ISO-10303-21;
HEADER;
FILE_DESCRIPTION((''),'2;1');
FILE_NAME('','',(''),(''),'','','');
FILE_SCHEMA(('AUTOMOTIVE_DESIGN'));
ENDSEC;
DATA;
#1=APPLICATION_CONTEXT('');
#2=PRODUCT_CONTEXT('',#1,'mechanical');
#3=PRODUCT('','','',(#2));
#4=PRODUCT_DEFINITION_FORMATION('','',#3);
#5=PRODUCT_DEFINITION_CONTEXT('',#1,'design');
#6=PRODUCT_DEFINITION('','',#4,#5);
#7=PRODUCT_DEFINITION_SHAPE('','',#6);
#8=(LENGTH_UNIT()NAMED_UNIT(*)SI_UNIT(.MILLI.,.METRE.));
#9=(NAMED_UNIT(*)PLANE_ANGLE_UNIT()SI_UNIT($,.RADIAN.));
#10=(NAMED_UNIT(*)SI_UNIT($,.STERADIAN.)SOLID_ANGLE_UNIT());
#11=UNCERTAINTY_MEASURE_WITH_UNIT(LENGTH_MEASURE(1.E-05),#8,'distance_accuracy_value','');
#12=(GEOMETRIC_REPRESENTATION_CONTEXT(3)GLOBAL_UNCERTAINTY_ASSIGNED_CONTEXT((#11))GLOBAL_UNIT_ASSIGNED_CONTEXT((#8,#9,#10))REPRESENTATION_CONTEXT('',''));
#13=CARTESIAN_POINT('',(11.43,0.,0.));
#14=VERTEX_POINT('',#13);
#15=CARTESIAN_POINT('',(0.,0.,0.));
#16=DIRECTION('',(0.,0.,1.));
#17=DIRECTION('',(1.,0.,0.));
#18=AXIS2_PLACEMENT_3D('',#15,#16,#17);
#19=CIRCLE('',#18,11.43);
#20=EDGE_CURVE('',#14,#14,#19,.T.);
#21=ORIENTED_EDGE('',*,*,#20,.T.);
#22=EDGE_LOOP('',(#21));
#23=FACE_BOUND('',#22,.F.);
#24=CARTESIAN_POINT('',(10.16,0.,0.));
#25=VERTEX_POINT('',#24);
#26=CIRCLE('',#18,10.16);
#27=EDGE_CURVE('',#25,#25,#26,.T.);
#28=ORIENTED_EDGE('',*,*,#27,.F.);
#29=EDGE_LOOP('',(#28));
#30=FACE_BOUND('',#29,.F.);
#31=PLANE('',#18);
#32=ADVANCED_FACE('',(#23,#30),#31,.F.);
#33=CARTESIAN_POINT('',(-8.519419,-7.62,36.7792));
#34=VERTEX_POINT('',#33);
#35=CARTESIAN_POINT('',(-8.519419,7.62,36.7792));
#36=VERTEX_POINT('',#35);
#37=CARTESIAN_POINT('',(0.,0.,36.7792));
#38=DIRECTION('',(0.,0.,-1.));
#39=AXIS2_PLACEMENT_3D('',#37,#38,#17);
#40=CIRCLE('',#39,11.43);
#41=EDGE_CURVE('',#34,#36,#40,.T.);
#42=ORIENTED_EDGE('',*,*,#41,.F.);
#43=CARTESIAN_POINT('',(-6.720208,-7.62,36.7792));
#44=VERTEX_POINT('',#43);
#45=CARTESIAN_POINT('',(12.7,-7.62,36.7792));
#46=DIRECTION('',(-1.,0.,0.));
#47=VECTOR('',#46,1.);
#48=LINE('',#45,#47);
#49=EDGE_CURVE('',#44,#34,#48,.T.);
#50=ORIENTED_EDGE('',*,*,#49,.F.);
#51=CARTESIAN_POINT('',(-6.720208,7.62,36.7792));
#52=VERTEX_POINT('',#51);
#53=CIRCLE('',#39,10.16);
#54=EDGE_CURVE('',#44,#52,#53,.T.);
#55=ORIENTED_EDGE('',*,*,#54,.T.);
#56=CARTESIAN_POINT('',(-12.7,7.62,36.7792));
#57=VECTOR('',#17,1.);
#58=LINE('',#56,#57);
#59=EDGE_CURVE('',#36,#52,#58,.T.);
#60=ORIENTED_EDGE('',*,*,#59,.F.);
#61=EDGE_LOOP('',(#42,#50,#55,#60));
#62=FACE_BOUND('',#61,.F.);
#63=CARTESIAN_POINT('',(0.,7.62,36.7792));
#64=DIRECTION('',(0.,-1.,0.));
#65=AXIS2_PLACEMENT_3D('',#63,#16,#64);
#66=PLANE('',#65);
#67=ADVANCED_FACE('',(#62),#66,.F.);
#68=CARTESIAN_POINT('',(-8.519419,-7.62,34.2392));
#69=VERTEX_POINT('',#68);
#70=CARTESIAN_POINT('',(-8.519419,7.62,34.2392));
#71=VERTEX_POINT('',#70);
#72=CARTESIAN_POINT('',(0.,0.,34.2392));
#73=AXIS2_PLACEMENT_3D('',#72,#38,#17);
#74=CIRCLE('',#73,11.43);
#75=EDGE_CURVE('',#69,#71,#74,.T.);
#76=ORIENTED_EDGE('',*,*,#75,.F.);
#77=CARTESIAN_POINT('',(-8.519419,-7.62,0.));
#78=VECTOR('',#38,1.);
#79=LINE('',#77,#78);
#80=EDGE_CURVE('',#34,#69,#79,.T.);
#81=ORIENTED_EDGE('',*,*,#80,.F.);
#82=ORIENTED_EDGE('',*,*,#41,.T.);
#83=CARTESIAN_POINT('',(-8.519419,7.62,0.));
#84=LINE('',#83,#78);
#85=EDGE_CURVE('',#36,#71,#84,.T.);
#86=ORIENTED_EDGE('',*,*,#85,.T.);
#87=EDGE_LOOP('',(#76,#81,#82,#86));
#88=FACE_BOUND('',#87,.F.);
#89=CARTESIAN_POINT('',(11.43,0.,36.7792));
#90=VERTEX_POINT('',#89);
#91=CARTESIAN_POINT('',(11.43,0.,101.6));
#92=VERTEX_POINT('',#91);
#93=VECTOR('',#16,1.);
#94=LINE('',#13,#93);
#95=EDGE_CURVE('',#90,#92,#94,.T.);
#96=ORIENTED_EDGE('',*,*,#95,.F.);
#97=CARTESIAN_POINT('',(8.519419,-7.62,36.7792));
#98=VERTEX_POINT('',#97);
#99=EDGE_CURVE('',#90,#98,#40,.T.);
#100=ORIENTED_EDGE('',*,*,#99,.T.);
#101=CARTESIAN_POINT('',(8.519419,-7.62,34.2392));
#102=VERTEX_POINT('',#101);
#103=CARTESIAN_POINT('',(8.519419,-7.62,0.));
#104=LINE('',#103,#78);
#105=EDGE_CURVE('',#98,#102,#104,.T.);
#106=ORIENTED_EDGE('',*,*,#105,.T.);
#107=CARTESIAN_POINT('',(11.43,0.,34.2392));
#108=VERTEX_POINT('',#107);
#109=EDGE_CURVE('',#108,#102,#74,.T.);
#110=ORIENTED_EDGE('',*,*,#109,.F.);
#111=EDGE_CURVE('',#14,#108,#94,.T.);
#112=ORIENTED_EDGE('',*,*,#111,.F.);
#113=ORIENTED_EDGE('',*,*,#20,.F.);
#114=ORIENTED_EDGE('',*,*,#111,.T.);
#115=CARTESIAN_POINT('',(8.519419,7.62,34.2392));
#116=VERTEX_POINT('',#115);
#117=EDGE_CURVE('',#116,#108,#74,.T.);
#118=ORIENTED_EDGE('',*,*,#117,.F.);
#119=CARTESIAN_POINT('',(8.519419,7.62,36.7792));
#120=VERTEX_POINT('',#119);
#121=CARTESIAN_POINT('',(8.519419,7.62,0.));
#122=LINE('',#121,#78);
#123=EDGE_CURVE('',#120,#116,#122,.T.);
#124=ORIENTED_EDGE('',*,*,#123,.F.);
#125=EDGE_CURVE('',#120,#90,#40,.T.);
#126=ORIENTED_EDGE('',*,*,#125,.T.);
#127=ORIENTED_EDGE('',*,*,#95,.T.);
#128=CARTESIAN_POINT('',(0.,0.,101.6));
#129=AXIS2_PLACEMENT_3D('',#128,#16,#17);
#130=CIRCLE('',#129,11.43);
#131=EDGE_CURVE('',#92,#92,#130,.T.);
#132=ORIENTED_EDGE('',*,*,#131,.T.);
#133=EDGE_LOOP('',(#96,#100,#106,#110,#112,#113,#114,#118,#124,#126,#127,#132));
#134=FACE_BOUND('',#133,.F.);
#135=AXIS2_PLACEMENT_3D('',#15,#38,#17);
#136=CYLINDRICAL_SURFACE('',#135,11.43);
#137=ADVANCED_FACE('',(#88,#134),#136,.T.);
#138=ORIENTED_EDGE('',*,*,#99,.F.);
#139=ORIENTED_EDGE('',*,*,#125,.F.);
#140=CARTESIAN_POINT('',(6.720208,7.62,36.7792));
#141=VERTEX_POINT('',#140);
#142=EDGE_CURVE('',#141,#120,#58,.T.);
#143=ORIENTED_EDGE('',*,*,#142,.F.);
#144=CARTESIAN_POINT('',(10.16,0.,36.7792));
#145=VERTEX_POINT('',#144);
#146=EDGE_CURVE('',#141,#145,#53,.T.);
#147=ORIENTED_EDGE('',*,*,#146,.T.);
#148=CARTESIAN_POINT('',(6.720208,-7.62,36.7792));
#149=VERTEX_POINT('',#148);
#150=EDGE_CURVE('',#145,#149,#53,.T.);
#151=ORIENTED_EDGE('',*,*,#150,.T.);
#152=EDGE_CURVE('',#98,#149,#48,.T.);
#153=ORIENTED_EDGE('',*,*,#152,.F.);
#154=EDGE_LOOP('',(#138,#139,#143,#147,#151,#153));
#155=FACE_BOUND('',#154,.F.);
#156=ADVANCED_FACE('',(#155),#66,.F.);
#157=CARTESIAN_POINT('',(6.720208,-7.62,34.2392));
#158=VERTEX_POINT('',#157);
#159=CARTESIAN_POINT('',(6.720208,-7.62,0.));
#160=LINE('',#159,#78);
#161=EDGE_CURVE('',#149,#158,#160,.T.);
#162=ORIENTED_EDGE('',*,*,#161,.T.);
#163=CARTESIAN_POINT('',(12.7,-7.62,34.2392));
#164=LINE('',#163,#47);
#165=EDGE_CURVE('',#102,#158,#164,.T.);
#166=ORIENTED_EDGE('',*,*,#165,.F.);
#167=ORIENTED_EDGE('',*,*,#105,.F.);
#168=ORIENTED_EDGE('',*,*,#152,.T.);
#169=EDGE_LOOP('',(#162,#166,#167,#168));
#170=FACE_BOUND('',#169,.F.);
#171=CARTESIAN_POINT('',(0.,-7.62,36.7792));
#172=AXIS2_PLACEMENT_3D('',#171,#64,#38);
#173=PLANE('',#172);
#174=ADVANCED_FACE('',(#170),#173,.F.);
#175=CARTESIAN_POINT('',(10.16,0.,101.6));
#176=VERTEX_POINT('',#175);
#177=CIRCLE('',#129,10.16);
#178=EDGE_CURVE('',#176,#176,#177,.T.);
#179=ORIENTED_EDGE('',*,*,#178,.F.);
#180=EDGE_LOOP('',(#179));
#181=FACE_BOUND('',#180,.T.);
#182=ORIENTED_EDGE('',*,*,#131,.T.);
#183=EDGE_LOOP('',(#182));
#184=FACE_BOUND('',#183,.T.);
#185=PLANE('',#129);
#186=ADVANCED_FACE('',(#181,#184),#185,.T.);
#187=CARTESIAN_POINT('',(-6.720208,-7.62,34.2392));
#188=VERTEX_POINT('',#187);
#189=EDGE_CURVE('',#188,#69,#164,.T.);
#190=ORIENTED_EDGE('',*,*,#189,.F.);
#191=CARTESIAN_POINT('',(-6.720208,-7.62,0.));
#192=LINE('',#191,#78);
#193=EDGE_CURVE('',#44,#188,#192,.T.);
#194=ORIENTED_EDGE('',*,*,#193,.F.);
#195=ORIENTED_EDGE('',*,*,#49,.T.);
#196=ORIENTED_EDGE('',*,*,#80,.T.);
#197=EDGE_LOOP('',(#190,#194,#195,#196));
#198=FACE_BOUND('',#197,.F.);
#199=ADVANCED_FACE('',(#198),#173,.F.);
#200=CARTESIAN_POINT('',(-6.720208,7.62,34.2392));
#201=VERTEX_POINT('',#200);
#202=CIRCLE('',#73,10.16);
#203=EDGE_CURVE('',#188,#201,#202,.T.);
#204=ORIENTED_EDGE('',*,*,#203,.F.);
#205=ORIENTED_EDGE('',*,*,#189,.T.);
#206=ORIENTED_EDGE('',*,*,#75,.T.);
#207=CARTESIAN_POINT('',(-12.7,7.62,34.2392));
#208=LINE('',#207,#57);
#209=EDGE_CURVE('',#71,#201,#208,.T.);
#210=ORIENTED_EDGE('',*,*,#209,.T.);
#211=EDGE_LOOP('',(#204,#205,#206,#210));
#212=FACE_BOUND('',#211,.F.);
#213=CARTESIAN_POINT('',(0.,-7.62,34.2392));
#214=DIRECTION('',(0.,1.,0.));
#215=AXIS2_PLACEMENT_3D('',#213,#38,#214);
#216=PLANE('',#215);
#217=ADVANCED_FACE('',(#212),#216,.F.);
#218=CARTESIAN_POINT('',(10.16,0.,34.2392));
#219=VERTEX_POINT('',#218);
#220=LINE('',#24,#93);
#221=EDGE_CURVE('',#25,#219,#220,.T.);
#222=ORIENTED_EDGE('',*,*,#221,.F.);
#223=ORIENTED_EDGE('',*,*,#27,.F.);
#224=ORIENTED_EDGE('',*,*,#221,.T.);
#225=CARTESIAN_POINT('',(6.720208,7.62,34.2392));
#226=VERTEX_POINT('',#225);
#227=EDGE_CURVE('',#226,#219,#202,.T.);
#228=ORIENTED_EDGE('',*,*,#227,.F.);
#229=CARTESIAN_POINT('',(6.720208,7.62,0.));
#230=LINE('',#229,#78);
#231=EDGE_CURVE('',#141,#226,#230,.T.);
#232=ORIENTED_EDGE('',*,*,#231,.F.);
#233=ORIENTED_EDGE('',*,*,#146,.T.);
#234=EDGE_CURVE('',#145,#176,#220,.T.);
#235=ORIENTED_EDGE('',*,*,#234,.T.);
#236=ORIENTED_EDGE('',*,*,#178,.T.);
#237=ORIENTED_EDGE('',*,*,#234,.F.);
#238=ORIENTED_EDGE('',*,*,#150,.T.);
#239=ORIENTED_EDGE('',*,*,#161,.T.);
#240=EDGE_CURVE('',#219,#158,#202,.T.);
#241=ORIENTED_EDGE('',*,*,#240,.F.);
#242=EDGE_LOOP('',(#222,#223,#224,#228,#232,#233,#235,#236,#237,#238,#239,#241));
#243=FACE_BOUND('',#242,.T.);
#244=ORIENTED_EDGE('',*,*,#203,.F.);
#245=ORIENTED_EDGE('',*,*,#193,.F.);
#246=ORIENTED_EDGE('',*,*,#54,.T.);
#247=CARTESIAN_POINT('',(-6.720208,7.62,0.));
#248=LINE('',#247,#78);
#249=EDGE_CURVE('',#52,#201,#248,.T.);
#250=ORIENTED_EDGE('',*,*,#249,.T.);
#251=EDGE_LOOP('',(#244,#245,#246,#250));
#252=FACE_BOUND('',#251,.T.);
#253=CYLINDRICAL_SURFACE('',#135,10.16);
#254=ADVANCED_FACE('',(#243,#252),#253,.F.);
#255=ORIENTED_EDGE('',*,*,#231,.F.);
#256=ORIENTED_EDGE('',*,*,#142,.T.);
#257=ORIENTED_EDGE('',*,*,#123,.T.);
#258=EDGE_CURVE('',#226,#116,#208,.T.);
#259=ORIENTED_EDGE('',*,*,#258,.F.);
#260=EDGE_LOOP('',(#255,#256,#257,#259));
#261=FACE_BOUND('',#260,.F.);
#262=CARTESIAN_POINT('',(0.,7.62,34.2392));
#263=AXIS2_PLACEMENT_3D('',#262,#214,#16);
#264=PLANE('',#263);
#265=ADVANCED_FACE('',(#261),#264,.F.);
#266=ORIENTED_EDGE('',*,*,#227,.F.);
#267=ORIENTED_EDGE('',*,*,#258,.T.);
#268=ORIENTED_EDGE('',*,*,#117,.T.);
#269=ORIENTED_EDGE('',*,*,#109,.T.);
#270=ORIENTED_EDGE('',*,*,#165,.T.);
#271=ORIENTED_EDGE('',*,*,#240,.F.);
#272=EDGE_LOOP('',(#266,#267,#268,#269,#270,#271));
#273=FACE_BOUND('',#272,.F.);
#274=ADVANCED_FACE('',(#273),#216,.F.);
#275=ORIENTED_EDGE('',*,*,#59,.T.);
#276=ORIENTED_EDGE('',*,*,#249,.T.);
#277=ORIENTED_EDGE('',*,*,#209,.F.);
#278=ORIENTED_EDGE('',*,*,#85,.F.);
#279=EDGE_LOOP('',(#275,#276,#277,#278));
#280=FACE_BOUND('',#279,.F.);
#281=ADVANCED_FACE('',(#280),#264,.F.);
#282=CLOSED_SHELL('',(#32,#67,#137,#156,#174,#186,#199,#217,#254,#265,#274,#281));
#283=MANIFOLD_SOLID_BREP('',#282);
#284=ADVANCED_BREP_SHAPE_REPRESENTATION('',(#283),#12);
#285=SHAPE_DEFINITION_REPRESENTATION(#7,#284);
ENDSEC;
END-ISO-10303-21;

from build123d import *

# Parameters (mm, degrees)
F0_R     = 11.43
F0_R_2   = 10.16
F1_DEPTH = 101.6
F3_DEPTH = 12.7


with BuildPart() as f1:
    # F0 (on Top) → F1 (new body)
    with BuildSketch(Plane.XY):
        Circle(F0_R)
        Circle(F0_R_2, mode=Mode.SUBTRACT)
    extrude(amount=F1_DEPTH)


with BuildPart() as f3:
    # F2 (on Right) → F3 (new body, symmetric)
    with BuildSketch(Plane.YZ):
        Polygon((-7.62, 34.2392), (0, 34.2392), (7.62, 34.2392), (7.62, 36.7792), (-7.62, 36.7792), align=None)
    extrude(amount=F3_DEPTH, both=True)


with BuildPart() as f1_1:
    add(f1.part)

    # F4: cut F3
    add(f3.part, mode=Mode.SUBTRACT)


solid = f1_1.part
